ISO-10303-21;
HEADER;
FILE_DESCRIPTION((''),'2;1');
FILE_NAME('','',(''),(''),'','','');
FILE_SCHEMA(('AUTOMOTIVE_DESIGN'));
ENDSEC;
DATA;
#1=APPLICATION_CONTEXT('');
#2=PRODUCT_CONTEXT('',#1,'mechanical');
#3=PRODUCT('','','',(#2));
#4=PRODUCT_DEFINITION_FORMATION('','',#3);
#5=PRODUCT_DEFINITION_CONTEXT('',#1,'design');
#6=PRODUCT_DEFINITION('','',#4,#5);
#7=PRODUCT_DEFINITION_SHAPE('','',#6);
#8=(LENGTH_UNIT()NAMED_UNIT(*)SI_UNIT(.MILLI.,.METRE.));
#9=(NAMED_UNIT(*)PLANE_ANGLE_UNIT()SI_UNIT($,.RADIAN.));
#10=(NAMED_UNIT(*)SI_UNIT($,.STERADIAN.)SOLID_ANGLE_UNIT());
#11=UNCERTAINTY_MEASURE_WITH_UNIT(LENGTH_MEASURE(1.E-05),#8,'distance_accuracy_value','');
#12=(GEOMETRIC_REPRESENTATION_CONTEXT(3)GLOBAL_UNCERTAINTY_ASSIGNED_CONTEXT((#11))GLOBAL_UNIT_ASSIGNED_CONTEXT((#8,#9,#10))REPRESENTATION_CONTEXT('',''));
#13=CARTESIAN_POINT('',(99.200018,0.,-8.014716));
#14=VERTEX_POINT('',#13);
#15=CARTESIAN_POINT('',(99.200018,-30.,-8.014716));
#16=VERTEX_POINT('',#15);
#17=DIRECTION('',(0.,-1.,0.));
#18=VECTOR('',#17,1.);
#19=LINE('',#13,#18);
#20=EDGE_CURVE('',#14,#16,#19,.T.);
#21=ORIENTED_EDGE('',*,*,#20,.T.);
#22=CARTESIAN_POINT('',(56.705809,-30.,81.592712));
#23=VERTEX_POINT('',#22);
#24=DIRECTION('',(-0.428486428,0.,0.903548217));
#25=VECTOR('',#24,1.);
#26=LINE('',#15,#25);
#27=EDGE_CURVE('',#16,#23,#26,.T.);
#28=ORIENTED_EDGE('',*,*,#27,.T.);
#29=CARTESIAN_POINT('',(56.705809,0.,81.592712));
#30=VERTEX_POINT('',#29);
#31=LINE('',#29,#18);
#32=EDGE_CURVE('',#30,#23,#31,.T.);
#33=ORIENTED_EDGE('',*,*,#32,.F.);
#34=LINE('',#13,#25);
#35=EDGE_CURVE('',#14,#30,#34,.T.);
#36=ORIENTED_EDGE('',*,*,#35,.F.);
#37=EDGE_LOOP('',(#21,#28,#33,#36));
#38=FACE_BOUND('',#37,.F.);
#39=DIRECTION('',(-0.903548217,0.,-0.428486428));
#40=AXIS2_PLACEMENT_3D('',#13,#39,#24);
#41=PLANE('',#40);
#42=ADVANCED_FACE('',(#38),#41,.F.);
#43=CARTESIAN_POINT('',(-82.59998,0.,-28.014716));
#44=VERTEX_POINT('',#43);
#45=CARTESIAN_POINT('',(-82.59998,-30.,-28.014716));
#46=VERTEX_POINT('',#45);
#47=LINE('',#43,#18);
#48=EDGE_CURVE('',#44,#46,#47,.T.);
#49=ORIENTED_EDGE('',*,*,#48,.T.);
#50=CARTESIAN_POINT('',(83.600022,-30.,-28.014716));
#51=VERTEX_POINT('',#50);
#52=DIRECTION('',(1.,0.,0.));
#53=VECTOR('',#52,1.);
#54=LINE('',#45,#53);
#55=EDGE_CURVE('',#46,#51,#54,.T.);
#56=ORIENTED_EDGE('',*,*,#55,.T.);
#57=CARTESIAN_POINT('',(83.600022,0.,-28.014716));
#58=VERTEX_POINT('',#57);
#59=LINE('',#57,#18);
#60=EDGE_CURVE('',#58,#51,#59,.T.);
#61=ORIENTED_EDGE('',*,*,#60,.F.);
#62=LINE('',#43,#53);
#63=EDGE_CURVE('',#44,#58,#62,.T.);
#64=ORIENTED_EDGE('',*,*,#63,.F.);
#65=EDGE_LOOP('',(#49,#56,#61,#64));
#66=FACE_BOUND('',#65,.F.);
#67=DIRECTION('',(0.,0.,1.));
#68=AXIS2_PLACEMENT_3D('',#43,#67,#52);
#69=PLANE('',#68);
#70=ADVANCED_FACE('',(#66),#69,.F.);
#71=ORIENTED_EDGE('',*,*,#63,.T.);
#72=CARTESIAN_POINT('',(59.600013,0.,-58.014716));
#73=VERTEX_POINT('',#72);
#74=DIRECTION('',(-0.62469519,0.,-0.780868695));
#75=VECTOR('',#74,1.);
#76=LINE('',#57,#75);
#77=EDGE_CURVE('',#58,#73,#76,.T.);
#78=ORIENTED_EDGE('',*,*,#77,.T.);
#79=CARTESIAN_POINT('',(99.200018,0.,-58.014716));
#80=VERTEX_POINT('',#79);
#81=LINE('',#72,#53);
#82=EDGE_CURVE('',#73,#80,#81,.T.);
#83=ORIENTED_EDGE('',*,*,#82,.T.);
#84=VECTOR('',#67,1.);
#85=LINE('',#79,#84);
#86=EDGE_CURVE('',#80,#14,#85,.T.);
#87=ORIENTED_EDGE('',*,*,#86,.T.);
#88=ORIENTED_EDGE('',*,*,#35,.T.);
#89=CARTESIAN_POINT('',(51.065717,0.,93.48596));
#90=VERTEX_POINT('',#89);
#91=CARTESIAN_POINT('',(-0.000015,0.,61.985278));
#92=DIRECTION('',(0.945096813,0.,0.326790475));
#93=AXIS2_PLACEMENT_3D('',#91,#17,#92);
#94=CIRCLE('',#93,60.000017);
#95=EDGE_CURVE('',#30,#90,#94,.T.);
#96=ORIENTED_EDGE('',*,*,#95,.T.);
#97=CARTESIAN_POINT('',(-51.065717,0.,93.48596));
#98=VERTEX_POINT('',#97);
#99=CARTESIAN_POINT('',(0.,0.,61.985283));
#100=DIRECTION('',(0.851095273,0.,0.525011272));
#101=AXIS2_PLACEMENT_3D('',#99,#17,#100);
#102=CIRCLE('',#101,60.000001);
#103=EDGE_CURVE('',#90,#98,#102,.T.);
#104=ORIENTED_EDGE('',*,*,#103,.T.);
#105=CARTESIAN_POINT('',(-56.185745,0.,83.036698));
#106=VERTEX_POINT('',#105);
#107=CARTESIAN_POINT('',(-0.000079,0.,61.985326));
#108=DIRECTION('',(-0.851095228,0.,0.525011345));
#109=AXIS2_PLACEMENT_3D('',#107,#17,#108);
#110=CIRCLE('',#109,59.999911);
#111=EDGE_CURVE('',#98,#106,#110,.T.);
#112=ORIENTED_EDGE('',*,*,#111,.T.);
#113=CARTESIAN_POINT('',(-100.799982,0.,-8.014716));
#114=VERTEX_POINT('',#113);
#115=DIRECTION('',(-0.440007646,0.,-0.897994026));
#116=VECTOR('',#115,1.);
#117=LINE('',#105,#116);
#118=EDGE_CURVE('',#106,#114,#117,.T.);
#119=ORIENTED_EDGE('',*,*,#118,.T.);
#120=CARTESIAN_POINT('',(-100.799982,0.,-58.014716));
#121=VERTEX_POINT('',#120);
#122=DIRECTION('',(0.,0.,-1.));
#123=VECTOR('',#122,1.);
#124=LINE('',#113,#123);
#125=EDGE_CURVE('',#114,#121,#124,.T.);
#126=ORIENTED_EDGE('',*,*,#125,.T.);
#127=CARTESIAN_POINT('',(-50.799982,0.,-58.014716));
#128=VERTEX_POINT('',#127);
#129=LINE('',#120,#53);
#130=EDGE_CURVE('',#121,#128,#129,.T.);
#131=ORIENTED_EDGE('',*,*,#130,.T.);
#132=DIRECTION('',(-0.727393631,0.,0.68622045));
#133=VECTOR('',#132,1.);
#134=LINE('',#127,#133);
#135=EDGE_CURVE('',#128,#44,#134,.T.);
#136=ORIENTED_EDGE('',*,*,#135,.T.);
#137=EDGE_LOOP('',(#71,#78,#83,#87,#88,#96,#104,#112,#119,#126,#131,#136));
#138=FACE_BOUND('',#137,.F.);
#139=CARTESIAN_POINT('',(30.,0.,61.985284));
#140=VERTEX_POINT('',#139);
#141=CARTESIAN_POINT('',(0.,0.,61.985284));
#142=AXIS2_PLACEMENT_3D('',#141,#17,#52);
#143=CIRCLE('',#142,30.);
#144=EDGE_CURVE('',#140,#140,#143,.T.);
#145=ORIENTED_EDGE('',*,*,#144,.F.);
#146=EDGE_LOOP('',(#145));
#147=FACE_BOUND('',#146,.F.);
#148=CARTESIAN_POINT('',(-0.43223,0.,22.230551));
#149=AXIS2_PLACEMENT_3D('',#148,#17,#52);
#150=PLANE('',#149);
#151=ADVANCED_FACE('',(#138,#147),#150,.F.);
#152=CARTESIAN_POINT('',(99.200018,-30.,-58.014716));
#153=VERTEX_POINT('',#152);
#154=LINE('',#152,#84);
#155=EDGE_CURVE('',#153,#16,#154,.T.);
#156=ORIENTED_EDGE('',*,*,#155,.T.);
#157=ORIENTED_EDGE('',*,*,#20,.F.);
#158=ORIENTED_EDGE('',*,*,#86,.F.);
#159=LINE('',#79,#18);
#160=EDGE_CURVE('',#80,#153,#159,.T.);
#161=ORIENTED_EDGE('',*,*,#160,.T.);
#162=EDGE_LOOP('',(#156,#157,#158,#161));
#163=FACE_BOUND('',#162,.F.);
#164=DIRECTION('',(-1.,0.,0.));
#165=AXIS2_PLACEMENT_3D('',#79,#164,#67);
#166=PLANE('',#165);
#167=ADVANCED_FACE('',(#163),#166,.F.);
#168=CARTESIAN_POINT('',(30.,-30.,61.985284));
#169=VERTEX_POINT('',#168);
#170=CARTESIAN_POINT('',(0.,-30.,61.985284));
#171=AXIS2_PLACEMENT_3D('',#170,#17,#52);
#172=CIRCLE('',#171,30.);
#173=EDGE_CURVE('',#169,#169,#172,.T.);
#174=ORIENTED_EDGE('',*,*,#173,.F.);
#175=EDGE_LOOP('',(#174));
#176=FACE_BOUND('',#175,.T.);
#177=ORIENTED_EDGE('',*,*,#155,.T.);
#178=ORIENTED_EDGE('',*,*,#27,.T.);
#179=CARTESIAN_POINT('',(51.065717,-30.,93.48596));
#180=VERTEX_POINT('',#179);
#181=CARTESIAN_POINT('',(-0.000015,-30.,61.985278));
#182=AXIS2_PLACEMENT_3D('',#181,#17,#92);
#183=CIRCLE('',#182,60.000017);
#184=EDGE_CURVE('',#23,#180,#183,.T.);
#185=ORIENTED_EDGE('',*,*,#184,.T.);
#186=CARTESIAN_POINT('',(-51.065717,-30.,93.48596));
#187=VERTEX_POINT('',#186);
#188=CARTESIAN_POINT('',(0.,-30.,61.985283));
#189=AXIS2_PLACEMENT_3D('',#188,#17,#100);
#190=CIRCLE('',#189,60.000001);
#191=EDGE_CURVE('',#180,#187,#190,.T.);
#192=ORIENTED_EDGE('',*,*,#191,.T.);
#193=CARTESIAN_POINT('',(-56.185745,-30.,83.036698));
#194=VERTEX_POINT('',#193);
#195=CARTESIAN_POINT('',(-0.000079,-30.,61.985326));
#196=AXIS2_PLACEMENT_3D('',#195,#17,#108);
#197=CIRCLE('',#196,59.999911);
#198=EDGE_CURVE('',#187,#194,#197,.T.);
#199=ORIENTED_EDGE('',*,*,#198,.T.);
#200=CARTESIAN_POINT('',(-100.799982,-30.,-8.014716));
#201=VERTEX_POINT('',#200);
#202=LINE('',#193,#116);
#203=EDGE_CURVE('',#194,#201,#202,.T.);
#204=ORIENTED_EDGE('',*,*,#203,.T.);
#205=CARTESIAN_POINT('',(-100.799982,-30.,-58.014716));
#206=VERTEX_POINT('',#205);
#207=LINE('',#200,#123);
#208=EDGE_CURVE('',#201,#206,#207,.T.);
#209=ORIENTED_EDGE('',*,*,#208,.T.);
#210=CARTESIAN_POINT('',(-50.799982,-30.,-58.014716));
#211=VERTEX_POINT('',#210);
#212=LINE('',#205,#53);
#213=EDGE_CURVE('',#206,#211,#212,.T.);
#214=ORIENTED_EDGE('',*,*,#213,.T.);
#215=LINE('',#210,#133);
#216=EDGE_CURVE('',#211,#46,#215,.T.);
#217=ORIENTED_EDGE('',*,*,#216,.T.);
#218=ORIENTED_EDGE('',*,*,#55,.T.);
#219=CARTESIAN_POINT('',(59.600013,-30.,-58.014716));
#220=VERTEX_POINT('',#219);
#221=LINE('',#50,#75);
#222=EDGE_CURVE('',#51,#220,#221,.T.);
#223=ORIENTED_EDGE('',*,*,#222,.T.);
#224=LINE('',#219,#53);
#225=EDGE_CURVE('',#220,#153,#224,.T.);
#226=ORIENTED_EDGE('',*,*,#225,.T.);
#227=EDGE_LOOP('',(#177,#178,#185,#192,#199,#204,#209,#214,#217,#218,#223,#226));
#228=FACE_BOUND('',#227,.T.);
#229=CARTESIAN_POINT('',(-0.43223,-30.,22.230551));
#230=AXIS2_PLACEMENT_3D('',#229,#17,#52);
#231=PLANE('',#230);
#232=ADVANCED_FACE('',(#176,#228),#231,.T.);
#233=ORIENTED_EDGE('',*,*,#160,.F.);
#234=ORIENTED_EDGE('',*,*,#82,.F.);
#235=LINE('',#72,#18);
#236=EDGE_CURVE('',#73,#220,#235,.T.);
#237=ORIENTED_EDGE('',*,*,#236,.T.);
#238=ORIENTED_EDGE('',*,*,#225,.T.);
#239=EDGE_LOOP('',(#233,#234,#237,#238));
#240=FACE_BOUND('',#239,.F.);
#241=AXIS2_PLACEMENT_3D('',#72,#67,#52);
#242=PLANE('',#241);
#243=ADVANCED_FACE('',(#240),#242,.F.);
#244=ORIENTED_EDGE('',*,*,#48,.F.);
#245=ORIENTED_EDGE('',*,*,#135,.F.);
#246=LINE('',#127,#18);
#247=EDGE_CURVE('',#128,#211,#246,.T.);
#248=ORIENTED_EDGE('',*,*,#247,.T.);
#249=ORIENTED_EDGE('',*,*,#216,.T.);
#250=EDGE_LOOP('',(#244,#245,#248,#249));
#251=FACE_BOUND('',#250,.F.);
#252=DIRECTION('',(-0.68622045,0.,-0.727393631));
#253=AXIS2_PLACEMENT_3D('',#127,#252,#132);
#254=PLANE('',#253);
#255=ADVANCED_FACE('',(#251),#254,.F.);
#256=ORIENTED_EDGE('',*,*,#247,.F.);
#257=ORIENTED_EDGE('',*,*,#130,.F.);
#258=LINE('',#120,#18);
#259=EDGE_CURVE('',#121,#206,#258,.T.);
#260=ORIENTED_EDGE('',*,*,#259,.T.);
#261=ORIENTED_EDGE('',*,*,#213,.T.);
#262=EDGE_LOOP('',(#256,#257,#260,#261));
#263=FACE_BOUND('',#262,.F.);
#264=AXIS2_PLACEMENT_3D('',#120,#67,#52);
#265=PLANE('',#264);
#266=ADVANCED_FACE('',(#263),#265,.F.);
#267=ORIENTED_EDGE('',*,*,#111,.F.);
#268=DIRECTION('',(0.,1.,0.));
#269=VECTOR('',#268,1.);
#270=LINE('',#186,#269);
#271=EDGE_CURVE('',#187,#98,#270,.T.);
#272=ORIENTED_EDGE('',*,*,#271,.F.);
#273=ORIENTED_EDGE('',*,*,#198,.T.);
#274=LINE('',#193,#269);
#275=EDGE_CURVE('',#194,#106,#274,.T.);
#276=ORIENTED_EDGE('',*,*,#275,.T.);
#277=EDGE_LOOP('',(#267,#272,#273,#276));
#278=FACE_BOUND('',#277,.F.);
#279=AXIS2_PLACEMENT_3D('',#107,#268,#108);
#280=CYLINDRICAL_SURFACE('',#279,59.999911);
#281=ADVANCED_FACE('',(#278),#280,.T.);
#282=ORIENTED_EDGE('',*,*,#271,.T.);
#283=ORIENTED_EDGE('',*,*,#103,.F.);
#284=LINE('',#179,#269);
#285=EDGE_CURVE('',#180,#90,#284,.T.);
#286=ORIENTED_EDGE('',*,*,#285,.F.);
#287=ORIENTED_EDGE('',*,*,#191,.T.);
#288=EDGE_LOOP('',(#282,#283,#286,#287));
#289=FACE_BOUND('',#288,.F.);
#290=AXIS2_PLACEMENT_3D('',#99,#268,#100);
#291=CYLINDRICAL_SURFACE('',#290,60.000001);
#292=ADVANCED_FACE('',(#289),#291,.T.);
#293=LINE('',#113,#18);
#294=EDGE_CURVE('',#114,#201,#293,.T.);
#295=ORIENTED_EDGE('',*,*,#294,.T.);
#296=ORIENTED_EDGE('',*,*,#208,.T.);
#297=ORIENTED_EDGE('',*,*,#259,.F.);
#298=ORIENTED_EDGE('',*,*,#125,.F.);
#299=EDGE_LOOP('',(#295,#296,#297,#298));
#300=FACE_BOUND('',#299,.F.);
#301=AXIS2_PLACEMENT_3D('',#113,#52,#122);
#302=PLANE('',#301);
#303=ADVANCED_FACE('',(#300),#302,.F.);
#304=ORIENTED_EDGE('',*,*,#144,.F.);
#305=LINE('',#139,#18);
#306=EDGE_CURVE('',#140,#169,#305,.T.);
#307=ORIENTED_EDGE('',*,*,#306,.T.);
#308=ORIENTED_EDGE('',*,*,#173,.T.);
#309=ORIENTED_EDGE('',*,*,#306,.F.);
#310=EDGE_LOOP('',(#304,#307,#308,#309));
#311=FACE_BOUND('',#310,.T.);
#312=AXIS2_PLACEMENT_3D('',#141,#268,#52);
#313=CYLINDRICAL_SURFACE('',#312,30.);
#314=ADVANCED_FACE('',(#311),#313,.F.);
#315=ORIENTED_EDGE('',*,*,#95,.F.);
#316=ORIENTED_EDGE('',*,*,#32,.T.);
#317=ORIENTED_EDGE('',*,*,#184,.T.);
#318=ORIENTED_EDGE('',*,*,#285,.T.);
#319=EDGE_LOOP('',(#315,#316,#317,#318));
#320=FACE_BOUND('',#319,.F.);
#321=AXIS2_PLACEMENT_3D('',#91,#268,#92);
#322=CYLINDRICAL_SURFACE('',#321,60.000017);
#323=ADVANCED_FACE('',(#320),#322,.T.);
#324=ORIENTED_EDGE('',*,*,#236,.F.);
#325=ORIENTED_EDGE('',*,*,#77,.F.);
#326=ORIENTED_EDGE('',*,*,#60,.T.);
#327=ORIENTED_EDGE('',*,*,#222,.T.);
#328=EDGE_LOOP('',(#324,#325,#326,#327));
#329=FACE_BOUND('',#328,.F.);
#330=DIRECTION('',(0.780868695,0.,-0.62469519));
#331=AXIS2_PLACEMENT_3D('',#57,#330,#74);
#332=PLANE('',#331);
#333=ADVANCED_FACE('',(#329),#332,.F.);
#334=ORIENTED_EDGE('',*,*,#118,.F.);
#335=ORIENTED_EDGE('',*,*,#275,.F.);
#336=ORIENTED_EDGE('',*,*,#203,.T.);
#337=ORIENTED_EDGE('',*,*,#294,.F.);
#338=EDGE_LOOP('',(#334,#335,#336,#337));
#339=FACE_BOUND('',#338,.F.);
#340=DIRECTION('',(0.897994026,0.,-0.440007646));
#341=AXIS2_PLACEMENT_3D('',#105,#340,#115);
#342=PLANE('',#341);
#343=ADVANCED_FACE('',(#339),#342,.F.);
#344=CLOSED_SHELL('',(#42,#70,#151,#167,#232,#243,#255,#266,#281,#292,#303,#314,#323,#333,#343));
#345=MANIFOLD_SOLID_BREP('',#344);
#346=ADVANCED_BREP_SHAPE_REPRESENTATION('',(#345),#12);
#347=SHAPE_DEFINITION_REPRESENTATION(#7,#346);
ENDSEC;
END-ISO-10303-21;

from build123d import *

# Parameters (mm, degrees)
F0_R     = 30
F1_DEPTH = 25
F2_DEPTH = 30


with BuildPart() as f1:
    # F0 (on Front) → F1 (new body)
    with BuildSketch(Plane.XZ):
        with BuildLine():
            Line((-56.185745, 83.036698), (-100.799982, -8.014716))
            Line((-100.799982, -8.014716), (99.200018, -8.014716))
            Line((99.200018, -8.014716), (56.705809, 81.592712))
            ThreePointArc((56.705809, 81.592712), (59.170721, 71.926398), (60, 61.985284))
            ThreePointArc((60, 61.985284), (-10.697086, 2.946548), (-56.185745, 83.036698))
        make_face()
        Polygon((99.200018, -8.014716), (-100.799982, -8.014716), (-100.799982, -58.014716), (-50.799982, -58.014716), (-82.59998, -28.014716), (83.600022, -28.014716), (59.600013, -58.014716), (99.200018, -58.014716), align=None)
        with BuildLine():
            Line((-51.065717, 93.48596), (-56.185745, 83.036698))
            ThreePointArc((-56.185745, 83.036698), (-10.697086, 2.946548), (60, 61.985284))
            ThreePointArc((60, 61.985284), (59.170721, 71.926398), (56.705809, 81.592712))
            Line((56.705809, 81.592712), (51.065717, 93.48596))
            ThreePointArc((51.065717, 93.48596), (0, 121.985284), (-51.065717, 93.48596))
        make_face()
        with Locations((0, 61.985284)):
            Circle(F0_R, mode=Mode.SUBTRACT)
        with BuildLine():
            ThreePointArc((-51.065717, 93.48596), (-53.879642, 88.385743), (-56.185745, 83.036698))
            Line((-56.185745, 83.036698), (-51.065717, 93.48596))
        make_face()
        with BuildLine():
            Line((51.065717, 93.48596), (56.705809, 81.592712))
            ThreePointArc((56.705809, 81.592712), (54.212893, 87.69447), (51.065717, 93.48596))
        make_face()
    extrude(amount=F1_DEPTH)

    # F0 (on Front) → F2 (join)
    with BuildSketch(Plane.XZ):
        with BuildLine():
            Line((-56.185745, 83.036698), (-100.799982, -8.014716))
            Line((-100.799982, -8.014716), (99.200018, -8.014716))
            Line((99.200018, -8.014716), (56.705809, 81.592712))
            ThreePointArc((56.705809, 81.592712), (59.170721, 71.926398), (60, 61.985284))
            ThreePointArc((60, 61.985284), (-10.697086, 2.946548), (-56.185745, 83.036698))
        make_face()
        Polygon((99.200018, -8.014716), (-100.799982, -8.014716), (-100.799982, -58.014716), (-50.799982, -58.014716), (-82.59998, -28.014716), (83.600022, -28.014716), (59.600013, -58.014716), (99.200018, -58.014716), align=None)
        with BuildLine():
            Line((-51.065717, 93.48596), (-56.185745, 83.036698))
            ThreePointArc((-56.185745, 83.036698), (-10.697086, 2.946548), (60, 61.985284))
            ThreePointArc((60, 61.985284), (59.170721, 71.926398), (56.705809, 81.592712))
            Line((56.705809, 81.592712), (51.065717, 93.48596))
            ThreePointArc((51.065717, 93.48596), (0, 121.985284), (-51.065717, 93.48596))
        make_face()
        with Locations((0, 61.985284)):
            Circle(F0_R, mode=Mode.SUBTRACT)
        with BuildLine():
            ThreePointArc((-51.065717, 93.48596), (-53.879642, 88.385743), (-56.185745, 83.036698))
            Line((-56.185745, 83.036698), (-51.065717, 93.48596))
        make_face()
        with BuildLine():
            Line((51.065717, 93.48596), (56.705809, 81.592712))
            ThreePointArc((56.705809, 81.592712), (54.212893, 87.69447), (51.065717, 93.48596))
        make_face()
    extrude(amount=F2_DEPTH)


solid = f1.part
